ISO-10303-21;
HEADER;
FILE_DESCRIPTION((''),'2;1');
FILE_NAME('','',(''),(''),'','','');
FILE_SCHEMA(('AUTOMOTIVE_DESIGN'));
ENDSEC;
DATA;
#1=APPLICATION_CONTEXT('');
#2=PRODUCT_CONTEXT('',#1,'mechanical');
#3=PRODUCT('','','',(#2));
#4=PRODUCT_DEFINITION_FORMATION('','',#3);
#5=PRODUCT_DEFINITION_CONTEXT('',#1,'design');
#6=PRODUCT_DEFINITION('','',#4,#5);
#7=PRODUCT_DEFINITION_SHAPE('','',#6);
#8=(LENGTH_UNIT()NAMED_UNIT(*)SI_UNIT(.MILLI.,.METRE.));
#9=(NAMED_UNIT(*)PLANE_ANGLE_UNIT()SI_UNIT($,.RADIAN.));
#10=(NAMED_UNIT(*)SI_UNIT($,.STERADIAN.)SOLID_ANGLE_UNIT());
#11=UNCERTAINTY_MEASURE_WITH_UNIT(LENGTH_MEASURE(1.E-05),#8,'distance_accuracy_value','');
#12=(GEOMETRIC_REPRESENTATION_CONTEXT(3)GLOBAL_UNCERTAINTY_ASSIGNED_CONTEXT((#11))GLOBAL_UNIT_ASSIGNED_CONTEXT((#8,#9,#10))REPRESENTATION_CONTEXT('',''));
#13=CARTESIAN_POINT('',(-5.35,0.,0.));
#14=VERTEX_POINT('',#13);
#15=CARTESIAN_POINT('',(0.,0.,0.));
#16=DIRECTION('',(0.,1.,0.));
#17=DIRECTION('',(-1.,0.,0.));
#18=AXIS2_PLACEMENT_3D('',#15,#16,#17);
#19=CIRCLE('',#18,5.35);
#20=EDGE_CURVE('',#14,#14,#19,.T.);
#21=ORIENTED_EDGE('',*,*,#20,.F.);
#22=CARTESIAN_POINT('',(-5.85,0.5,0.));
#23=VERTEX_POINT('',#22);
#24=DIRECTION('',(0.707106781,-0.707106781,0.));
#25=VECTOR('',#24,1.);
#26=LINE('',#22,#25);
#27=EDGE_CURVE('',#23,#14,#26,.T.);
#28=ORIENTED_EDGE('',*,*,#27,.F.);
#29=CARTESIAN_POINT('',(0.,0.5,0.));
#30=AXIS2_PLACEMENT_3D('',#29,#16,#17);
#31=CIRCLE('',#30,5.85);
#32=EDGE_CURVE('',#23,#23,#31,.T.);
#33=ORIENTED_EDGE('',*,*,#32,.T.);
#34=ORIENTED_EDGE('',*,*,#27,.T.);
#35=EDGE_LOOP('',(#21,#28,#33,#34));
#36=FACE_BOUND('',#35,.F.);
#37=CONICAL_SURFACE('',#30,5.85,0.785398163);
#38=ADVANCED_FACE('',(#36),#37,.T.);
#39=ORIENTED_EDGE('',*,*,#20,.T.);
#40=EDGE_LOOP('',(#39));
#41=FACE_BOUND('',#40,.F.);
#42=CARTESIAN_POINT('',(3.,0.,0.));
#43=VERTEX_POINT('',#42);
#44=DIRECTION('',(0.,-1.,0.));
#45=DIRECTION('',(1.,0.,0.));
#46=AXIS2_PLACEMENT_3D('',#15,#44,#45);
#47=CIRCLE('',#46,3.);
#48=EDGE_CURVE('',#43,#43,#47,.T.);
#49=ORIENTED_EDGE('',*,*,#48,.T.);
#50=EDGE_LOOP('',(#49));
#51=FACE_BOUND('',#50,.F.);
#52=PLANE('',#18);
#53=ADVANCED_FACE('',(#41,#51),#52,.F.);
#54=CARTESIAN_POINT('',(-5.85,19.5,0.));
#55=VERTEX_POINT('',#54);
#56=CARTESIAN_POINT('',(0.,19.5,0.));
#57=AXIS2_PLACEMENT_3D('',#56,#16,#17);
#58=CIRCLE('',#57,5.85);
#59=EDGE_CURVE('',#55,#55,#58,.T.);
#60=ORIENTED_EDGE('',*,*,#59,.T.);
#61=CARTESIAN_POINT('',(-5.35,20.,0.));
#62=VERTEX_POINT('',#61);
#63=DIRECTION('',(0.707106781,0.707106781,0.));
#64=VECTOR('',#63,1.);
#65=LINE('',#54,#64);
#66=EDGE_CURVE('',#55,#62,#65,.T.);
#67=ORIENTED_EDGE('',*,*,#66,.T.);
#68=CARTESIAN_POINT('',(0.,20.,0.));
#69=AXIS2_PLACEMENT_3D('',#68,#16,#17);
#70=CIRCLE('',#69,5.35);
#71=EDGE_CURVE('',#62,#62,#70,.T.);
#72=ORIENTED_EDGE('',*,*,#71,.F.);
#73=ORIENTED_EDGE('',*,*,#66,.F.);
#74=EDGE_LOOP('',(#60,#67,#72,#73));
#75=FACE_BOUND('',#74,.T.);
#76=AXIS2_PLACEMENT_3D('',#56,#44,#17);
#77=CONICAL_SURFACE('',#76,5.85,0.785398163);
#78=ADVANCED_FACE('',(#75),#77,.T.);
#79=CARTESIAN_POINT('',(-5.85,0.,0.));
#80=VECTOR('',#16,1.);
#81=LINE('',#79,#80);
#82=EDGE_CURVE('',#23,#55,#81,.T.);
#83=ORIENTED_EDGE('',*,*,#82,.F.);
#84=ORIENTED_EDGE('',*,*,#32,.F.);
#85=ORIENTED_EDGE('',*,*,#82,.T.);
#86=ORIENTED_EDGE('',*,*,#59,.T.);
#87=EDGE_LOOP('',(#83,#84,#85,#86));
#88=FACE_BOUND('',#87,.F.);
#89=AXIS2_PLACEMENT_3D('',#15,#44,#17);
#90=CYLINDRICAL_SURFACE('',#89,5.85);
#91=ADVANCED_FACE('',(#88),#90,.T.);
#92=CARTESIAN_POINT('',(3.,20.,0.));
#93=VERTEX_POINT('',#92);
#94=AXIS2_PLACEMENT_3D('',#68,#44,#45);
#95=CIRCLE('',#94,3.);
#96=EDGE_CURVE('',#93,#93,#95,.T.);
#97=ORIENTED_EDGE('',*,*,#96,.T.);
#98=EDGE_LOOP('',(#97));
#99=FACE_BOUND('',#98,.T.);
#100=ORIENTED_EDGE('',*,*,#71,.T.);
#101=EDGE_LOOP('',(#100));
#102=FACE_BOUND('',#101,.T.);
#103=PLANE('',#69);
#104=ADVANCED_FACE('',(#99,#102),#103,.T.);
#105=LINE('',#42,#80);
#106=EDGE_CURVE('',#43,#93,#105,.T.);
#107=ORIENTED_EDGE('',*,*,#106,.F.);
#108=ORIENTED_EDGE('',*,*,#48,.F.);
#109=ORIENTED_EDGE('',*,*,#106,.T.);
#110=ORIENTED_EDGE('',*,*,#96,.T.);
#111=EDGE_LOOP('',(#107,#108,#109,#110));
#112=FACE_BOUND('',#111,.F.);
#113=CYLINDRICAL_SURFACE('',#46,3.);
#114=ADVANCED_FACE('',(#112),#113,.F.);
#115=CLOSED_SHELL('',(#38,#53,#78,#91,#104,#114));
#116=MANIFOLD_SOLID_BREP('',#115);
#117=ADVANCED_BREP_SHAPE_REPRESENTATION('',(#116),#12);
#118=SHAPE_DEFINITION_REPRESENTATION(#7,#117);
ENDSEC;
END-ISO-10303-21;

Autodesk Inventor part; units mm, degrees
ref_plane "YZ Plane" through (0, 0, 0) normal (1, 0, 0) x (0, 1, 0)
ref_plane "XZ Plane" through (0, 0, 0) normal (0, 1, 0) x (-1, 0, 0)
ref_plane "XY Plane" through (0, 0, 0) normal (0, 0, 1) x (1, 0, 0)
sketch "Skizze1" plane through (0, 0, 0) normal (0, 1, 0) x (-1, 0, 0)
  circle A0 centre (0, 0) radius 5.85
  dimension "d0" = 11.7
extrude "Extrusion1" add sketch "Skizze1" along normal blind 20
thread "Gewinde1" size "TR8x1.5" class "7e" standard "ISO Metric Trapezoidal Threads" length 13
sketch "Skizze3" plane through (0, 0, 0) normal (0, -1, 0) x (1, 0, 0)
  circle A0 centre (0, 0) radius 3
  dimension "d5" = 6
extrude "Extrusion2" cut sketch "Skizze3" against normal through all
chamfer "Fase1" distance 0.5 angle 45 2 edges at (5.85, 20, 0) (5.85, 0, 0)
properties part number "Schneckenwelle" material "Messing, weicher Gelbton"
